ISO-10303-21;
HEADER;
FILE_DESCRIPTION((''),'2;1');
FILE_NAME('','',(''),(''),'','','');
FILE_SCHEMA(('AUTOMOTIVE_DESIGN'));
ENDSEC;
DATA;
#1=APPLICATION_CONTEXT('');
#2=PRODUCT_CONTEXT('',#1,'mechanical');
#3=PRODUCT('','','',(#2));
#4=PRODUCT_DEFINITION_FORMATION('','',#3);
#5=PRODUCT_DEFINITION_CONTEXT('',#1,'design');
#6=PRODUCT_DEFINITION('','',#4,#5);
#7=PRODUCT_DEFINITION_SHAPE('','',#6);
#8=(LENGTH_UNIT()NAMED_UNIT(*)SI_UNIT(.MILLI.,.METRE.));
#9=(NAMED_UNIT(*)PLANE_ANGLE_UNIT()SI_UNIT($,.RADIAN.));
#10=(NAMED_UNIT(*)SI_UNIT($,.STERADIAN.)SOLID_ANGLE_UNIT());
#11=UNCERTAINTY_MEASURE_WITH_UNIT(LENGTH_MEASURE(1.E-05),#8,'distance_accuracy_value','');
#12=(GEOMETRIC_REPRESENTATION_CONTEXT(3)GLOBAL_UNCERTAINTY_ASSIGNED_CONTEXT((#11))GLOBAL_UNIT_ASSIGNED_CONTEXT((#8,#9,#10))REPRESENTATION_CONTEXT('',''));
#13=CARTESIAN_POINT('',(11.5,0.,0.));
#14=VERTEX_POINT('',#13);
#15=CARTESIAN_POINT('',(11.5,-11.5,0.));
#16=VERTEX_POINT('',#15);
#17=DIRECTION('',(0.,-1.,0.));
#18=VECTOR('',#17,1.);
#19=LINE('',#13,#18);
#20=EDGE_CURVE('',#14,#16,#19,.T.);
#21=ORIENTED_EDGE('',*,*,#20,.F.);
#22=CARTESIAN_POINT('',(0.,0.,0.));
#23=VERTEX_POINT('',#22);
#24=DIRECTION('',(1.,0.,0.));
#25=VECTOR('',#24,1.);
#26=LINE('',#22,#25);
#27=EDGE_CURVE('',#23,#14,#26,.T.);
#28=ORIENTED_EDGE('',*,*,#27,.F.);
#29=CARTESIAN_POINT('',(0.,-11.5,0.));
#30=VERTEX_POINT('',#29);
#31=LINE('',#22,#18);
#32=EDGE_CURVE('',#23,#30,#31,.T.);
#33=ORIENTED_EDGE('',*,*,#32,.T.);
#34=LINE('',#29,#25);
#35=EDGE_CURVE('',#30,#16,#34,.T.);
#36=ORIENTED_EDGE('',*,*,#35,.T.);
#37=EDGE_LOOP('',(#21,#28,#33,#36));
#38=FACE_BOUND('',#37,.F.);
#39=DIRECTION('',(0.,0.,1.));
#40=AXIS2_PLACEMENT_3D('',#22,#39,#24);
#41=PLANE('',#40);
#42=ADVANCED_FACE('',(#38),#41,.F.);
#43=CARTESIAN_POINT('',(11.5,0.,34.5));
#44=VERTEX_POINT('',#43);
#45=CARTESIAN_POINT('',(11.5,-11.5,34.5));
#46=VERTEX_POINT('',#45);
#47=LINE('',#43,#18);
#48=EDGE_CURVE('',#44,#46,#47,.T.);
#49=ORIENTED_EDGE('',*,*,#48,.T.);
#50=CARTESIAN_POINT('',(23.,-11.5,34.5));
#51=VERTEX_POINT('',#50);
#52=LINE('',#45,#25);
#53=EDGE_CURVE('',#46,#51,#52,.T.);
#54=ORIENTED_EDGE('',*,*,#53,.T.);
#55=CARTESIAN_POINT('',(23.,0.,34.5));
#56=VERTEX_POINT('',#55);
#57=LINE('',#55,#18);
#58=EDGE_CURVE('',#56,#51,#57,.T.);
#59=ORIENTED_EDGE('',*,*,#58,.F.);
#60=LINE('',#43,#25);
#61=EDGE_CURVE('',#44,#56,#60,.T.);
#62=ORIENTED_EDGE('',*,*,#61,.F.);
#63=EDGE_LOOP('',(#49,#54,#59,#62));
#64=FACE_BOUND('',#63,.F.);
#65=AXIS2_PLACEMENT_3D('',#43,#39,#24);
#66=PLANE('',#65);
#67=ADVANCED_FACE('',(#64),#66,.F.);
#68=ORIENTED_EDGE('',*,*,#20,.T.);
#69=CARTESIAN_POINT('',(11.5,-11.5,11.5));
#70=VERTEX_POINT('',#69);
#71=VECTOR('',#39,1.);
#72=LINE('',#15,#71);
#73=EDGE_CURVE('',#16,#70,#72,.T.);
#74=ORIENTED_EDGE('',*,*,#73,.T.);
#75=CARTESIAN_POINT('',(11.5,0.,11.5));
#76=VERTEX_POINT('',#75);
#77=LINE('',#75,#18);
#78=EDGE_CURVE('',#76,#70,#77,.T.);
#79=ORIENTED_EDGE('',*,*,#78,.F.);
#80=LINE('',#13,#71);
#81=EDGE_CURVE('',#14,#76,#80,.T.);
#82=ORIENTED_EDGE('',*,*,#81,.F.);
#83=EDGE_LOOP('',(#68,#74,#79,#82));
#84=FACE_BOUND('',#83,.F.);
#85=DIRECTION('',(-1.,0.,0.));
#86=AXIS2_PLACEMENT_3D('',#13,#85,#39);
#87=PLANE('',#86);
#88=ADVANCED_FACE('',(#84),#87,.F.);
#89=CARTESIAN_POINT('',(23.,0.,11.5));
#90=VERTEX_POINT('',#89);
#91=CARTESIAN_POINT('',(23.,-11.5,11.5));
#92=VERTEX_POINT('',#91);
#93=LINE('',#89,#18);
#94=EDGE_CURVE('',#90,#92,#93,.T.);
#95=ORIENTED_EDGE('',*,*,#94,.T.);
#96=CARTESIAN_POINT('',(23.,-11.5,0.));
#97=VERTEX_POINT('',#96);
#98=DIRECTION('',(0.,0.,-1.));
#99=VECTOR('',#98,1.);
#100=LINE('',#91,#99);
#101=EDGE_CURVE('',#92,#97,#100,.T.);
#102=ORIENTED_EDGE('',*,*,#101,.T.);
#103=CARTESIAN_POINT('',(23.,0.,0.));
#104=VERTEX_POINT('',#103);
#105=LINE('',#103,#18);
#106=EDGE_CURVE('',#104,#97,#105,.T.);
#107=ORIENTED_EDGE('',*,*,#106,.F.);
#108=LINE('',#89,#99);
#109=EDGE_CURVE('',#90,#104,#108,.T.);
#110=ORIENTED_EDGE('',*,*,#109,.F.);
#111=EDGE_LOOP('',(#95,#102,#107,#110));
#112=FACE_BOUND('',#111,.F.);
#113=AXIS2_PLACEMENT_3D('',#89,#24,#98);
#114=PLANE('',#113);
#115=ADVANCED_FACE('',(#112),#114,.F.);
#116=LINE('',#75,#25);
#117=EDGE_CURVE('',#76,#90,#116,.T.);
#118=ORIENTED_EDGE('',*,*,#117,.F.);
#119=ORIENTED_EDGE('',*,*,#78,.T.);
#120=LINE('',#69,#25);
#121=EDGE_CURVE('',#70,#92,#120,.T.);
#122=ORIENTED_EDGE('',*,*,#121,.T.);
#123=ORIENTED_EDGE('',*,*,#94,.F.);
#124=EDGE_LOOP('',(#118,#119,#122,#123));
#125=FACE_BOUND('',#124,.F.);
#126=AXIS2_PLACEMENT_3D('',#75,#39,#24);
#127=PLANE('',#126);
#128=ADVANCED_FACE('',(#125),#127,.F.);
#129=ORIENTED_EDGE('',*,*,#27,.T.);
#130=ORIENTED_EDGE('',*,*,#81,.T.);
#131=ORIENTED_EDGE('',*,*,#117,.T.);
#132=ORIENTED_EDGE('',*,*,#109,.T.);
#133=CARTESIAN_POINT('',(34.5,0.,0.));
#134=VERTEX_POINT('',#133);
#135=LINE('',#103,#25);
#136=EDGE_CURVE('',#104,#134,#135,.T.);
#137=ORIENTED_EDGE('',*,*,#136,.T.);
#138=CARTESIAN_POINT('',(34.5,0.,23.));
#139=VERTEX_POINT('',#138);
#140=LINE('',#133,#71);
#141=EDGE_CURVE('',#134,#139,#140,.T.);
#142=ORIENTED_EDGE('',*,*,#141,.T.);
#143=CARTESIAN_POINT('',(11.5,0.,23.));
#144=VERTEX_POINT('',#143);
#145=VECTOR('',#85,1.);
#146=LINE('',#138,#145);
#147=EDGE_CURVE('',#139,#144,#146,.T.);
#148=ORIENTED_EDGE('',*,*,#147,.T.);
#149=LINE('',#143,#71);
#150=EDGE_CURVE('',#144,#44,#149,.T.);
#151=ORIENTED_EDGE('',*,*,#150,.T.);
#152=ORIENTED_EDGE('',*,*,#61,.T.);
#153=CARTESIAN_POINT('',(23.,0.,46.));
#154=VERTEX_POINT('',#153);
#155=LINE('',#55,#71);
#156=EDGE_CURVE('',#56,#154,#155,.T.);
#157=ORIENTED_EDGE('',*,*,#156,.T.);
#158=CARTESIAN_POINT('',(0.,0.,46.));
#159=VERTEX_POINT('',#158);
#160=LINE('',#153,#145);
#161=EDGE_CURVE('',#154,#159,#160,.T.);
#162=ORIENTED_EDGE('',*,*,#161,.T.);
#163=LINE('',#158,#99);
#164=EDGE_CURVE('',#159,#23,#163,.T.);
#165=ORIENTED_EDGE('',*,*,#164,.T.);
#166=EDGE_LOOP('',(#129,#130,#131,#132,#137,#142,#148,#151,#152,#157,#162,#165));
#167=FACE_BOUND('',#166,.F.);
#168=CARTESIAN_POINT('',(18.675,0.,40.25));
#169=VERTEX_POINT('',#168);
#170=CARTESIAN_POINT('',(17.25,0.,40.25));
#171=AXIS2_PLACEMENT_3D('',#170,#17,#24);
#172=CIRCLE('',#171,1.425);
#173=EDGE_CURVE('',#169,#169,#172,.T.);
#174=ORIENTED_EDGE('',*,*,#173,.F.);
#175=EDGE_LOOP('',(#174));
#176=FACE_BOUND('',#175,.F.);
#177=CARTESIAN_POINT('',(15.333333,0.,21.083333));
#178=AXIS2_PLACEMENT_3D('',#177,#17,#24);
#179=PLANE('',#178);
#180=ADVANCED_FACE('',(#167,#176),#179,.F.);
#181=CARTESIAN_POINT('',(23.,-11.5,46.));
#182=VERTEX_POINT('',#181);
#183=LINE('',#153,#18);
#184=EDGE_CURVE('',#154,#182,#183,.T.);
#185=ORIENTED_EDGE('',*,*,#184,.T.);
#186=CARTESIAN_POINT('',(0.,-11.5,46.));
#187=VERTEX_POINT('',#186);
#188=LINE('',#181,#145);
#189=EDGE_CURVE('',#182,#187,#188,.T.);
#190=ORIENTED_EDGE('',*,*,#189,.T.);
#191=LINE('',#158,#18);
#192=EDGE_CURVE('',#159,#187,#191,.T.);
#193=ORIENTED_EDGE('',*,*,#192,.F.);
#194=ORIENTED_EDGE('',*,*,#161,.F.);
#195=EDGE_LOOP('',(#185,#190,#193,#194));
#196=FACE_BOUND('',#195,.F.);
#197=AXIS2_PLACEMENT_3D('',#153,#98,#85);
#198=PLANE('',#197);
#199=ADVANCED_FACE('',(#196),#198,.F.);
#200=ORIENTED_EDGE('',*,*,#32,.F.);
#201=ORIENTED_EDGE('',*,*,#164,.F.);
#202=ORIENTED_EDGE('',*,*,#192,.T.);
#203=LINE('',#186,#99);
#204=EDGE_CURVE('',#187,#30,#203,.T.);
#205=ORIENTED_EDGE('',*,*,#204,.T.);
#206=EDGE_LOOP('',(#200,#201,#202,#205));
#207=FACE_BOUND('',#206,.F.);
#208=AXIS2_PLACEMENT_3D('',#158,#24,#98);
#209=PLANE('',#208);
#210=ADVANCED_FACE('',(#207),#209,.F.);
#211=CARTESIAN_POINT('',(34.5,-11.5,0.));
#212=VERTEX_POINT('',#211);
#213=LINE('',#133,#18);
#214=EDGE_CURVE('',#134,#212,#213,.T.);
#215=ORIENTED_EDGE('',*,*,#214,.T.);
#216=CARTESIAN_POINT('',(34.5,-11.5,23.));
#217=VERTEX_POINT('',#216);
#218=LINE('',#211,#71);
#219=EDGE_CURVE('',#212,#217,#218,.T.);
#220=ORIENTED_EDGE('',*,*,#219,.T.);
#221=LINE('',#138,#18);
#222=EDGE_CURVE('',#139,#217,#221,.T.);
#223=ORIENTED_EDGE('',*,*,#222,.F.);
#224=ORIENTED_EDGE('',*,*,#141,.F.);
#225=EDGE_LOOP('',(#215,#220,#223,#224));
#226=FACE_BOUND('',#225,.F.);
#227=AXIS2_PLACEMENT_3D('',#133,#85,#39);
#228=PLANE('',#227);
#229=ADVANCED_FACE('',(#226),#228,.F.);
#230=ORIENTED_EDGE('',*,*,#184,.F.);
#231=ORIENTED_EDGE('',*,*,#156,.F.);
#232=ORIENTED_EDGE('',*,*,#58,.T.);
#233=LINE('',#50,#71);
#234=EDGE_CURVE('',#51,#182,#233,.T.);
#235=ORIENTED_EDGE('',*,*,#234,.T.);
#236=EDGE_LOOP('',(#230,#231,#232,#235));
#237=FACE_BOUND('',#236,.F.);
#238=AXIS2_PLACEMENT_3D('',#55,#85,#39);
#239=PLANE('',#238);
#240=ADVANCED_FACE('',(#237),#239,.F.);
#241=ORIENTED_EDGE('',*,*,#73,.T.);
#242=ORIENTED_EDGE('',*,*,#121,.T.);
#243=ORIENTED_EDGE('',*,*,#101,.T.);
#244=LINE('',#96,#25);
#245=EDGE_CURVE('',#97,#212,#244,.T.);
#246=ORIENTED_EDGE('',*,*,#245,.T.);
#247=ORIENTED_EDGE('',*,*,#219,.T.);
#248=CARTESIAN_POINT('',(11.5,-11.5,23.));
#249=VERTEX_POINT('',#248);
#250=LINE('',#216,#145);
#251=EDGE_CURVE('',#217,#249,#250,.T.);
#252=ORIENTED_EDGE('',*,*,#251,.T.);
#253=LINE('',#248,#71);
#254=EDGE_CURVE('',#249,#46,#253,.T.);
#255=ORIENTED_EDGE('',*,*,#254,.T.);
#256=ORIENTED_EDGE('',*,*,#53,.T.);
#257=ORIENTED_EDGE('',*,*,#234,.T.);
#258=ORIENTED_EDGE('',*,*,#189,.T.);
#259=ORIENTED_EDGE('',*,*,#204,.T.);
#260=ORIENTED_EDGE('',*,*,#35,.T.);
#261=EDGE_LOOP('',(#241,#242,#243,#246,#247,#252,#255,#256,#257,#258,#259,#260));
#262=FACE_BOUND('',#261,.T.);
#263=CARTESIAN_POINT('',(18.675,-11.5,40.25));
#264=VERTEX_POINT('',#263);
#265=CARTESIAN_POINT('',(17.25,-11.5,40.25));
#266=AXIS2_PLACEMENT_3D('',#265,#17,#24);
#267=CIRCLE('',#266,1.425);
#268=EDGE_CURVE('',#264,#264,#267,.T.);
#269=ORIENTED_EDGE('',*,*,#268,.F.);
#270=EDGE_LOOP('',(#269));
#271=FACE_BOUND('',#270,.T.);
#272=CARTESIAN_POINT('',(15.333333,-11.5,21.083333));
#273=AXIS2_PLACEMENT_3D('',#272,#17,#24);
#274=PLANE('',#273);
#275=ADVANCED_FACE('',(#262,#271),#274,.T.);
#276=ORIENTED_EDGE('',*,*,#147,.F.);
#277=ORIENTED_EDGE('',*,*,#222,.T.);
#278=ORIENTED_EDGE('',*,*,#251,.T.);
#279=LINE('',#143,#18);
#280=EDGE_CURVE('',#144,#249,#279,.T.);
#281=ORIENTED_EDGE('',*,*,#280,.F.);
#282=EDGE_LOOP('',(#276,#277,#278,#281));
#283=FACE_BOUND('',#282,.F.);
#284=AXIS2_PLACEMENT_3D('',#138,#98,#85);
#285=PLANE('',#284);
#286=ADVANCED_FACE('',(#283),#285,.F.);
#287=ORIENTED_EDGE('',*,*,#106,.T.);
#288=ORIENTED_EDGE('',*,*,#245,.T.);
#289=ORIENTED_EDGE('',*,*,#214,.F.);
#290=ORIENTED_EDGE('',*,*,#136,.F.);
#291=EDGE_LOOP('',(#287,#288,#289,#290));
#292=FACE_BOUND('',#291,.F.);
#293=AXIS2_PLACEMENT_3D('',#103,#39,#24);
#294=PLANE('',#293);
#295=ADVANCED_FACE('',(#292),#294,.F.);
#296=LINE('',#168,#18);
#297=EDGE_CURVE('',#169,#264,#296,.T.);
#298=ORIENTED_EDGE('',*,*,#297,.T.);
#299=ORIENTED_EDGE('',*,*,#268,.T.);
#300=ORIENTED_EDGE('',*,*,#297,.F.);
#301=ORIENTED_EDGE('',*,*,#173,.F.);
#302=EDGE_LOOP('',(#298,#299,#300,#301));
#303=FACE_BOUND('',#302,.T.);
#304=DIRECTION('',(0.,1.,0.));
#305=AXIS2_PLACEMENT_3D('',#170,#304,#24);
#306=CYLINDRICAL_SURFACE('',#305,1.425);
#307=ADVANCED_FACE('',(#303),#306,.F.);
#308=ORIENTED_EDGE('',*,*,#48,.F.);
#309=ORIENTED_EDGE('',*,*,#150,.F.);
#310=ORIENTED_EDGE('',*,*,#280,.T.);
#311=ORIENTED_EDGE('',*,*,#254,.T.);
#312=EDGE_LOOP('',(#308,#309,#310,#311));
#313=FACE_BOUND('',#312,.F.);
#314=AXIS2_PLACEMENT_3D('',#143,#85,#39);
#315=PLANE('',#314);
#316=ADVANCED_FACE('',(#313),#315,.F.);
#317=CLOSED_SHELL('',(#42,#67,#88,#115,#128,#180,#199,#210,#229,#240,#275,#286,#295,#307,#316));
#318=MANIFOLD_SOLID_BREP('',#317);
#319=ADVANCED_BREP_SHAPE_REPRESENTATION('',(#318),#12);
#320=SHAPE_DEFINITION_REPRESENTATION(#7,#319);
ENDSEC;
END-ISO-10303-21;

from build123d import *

# Parameters (mm, degrees)
F0_R     = 1.425
F1_DEPTH = 11.5


with BuildPart() as f1:
    # F0 (on Front) → F1 (new body)
    with BuildSketch(Plane.XZ):
        Polygon((0, 46), (0, 0), (11.5, 0), (11.5, 11.5), (23, 11.5), (23, 0), (34.5, 0), (34.5, 23), (11.5, 23), (11.5, 34.5), (23, 34.5), (23, 46), align=None)
        with Locations((17.25, 40.25)):
            Circle(F0_R, mode=Mode.SUBTRACT)
    extrude(amount=F1_DEPTH)


solid = f1.part
